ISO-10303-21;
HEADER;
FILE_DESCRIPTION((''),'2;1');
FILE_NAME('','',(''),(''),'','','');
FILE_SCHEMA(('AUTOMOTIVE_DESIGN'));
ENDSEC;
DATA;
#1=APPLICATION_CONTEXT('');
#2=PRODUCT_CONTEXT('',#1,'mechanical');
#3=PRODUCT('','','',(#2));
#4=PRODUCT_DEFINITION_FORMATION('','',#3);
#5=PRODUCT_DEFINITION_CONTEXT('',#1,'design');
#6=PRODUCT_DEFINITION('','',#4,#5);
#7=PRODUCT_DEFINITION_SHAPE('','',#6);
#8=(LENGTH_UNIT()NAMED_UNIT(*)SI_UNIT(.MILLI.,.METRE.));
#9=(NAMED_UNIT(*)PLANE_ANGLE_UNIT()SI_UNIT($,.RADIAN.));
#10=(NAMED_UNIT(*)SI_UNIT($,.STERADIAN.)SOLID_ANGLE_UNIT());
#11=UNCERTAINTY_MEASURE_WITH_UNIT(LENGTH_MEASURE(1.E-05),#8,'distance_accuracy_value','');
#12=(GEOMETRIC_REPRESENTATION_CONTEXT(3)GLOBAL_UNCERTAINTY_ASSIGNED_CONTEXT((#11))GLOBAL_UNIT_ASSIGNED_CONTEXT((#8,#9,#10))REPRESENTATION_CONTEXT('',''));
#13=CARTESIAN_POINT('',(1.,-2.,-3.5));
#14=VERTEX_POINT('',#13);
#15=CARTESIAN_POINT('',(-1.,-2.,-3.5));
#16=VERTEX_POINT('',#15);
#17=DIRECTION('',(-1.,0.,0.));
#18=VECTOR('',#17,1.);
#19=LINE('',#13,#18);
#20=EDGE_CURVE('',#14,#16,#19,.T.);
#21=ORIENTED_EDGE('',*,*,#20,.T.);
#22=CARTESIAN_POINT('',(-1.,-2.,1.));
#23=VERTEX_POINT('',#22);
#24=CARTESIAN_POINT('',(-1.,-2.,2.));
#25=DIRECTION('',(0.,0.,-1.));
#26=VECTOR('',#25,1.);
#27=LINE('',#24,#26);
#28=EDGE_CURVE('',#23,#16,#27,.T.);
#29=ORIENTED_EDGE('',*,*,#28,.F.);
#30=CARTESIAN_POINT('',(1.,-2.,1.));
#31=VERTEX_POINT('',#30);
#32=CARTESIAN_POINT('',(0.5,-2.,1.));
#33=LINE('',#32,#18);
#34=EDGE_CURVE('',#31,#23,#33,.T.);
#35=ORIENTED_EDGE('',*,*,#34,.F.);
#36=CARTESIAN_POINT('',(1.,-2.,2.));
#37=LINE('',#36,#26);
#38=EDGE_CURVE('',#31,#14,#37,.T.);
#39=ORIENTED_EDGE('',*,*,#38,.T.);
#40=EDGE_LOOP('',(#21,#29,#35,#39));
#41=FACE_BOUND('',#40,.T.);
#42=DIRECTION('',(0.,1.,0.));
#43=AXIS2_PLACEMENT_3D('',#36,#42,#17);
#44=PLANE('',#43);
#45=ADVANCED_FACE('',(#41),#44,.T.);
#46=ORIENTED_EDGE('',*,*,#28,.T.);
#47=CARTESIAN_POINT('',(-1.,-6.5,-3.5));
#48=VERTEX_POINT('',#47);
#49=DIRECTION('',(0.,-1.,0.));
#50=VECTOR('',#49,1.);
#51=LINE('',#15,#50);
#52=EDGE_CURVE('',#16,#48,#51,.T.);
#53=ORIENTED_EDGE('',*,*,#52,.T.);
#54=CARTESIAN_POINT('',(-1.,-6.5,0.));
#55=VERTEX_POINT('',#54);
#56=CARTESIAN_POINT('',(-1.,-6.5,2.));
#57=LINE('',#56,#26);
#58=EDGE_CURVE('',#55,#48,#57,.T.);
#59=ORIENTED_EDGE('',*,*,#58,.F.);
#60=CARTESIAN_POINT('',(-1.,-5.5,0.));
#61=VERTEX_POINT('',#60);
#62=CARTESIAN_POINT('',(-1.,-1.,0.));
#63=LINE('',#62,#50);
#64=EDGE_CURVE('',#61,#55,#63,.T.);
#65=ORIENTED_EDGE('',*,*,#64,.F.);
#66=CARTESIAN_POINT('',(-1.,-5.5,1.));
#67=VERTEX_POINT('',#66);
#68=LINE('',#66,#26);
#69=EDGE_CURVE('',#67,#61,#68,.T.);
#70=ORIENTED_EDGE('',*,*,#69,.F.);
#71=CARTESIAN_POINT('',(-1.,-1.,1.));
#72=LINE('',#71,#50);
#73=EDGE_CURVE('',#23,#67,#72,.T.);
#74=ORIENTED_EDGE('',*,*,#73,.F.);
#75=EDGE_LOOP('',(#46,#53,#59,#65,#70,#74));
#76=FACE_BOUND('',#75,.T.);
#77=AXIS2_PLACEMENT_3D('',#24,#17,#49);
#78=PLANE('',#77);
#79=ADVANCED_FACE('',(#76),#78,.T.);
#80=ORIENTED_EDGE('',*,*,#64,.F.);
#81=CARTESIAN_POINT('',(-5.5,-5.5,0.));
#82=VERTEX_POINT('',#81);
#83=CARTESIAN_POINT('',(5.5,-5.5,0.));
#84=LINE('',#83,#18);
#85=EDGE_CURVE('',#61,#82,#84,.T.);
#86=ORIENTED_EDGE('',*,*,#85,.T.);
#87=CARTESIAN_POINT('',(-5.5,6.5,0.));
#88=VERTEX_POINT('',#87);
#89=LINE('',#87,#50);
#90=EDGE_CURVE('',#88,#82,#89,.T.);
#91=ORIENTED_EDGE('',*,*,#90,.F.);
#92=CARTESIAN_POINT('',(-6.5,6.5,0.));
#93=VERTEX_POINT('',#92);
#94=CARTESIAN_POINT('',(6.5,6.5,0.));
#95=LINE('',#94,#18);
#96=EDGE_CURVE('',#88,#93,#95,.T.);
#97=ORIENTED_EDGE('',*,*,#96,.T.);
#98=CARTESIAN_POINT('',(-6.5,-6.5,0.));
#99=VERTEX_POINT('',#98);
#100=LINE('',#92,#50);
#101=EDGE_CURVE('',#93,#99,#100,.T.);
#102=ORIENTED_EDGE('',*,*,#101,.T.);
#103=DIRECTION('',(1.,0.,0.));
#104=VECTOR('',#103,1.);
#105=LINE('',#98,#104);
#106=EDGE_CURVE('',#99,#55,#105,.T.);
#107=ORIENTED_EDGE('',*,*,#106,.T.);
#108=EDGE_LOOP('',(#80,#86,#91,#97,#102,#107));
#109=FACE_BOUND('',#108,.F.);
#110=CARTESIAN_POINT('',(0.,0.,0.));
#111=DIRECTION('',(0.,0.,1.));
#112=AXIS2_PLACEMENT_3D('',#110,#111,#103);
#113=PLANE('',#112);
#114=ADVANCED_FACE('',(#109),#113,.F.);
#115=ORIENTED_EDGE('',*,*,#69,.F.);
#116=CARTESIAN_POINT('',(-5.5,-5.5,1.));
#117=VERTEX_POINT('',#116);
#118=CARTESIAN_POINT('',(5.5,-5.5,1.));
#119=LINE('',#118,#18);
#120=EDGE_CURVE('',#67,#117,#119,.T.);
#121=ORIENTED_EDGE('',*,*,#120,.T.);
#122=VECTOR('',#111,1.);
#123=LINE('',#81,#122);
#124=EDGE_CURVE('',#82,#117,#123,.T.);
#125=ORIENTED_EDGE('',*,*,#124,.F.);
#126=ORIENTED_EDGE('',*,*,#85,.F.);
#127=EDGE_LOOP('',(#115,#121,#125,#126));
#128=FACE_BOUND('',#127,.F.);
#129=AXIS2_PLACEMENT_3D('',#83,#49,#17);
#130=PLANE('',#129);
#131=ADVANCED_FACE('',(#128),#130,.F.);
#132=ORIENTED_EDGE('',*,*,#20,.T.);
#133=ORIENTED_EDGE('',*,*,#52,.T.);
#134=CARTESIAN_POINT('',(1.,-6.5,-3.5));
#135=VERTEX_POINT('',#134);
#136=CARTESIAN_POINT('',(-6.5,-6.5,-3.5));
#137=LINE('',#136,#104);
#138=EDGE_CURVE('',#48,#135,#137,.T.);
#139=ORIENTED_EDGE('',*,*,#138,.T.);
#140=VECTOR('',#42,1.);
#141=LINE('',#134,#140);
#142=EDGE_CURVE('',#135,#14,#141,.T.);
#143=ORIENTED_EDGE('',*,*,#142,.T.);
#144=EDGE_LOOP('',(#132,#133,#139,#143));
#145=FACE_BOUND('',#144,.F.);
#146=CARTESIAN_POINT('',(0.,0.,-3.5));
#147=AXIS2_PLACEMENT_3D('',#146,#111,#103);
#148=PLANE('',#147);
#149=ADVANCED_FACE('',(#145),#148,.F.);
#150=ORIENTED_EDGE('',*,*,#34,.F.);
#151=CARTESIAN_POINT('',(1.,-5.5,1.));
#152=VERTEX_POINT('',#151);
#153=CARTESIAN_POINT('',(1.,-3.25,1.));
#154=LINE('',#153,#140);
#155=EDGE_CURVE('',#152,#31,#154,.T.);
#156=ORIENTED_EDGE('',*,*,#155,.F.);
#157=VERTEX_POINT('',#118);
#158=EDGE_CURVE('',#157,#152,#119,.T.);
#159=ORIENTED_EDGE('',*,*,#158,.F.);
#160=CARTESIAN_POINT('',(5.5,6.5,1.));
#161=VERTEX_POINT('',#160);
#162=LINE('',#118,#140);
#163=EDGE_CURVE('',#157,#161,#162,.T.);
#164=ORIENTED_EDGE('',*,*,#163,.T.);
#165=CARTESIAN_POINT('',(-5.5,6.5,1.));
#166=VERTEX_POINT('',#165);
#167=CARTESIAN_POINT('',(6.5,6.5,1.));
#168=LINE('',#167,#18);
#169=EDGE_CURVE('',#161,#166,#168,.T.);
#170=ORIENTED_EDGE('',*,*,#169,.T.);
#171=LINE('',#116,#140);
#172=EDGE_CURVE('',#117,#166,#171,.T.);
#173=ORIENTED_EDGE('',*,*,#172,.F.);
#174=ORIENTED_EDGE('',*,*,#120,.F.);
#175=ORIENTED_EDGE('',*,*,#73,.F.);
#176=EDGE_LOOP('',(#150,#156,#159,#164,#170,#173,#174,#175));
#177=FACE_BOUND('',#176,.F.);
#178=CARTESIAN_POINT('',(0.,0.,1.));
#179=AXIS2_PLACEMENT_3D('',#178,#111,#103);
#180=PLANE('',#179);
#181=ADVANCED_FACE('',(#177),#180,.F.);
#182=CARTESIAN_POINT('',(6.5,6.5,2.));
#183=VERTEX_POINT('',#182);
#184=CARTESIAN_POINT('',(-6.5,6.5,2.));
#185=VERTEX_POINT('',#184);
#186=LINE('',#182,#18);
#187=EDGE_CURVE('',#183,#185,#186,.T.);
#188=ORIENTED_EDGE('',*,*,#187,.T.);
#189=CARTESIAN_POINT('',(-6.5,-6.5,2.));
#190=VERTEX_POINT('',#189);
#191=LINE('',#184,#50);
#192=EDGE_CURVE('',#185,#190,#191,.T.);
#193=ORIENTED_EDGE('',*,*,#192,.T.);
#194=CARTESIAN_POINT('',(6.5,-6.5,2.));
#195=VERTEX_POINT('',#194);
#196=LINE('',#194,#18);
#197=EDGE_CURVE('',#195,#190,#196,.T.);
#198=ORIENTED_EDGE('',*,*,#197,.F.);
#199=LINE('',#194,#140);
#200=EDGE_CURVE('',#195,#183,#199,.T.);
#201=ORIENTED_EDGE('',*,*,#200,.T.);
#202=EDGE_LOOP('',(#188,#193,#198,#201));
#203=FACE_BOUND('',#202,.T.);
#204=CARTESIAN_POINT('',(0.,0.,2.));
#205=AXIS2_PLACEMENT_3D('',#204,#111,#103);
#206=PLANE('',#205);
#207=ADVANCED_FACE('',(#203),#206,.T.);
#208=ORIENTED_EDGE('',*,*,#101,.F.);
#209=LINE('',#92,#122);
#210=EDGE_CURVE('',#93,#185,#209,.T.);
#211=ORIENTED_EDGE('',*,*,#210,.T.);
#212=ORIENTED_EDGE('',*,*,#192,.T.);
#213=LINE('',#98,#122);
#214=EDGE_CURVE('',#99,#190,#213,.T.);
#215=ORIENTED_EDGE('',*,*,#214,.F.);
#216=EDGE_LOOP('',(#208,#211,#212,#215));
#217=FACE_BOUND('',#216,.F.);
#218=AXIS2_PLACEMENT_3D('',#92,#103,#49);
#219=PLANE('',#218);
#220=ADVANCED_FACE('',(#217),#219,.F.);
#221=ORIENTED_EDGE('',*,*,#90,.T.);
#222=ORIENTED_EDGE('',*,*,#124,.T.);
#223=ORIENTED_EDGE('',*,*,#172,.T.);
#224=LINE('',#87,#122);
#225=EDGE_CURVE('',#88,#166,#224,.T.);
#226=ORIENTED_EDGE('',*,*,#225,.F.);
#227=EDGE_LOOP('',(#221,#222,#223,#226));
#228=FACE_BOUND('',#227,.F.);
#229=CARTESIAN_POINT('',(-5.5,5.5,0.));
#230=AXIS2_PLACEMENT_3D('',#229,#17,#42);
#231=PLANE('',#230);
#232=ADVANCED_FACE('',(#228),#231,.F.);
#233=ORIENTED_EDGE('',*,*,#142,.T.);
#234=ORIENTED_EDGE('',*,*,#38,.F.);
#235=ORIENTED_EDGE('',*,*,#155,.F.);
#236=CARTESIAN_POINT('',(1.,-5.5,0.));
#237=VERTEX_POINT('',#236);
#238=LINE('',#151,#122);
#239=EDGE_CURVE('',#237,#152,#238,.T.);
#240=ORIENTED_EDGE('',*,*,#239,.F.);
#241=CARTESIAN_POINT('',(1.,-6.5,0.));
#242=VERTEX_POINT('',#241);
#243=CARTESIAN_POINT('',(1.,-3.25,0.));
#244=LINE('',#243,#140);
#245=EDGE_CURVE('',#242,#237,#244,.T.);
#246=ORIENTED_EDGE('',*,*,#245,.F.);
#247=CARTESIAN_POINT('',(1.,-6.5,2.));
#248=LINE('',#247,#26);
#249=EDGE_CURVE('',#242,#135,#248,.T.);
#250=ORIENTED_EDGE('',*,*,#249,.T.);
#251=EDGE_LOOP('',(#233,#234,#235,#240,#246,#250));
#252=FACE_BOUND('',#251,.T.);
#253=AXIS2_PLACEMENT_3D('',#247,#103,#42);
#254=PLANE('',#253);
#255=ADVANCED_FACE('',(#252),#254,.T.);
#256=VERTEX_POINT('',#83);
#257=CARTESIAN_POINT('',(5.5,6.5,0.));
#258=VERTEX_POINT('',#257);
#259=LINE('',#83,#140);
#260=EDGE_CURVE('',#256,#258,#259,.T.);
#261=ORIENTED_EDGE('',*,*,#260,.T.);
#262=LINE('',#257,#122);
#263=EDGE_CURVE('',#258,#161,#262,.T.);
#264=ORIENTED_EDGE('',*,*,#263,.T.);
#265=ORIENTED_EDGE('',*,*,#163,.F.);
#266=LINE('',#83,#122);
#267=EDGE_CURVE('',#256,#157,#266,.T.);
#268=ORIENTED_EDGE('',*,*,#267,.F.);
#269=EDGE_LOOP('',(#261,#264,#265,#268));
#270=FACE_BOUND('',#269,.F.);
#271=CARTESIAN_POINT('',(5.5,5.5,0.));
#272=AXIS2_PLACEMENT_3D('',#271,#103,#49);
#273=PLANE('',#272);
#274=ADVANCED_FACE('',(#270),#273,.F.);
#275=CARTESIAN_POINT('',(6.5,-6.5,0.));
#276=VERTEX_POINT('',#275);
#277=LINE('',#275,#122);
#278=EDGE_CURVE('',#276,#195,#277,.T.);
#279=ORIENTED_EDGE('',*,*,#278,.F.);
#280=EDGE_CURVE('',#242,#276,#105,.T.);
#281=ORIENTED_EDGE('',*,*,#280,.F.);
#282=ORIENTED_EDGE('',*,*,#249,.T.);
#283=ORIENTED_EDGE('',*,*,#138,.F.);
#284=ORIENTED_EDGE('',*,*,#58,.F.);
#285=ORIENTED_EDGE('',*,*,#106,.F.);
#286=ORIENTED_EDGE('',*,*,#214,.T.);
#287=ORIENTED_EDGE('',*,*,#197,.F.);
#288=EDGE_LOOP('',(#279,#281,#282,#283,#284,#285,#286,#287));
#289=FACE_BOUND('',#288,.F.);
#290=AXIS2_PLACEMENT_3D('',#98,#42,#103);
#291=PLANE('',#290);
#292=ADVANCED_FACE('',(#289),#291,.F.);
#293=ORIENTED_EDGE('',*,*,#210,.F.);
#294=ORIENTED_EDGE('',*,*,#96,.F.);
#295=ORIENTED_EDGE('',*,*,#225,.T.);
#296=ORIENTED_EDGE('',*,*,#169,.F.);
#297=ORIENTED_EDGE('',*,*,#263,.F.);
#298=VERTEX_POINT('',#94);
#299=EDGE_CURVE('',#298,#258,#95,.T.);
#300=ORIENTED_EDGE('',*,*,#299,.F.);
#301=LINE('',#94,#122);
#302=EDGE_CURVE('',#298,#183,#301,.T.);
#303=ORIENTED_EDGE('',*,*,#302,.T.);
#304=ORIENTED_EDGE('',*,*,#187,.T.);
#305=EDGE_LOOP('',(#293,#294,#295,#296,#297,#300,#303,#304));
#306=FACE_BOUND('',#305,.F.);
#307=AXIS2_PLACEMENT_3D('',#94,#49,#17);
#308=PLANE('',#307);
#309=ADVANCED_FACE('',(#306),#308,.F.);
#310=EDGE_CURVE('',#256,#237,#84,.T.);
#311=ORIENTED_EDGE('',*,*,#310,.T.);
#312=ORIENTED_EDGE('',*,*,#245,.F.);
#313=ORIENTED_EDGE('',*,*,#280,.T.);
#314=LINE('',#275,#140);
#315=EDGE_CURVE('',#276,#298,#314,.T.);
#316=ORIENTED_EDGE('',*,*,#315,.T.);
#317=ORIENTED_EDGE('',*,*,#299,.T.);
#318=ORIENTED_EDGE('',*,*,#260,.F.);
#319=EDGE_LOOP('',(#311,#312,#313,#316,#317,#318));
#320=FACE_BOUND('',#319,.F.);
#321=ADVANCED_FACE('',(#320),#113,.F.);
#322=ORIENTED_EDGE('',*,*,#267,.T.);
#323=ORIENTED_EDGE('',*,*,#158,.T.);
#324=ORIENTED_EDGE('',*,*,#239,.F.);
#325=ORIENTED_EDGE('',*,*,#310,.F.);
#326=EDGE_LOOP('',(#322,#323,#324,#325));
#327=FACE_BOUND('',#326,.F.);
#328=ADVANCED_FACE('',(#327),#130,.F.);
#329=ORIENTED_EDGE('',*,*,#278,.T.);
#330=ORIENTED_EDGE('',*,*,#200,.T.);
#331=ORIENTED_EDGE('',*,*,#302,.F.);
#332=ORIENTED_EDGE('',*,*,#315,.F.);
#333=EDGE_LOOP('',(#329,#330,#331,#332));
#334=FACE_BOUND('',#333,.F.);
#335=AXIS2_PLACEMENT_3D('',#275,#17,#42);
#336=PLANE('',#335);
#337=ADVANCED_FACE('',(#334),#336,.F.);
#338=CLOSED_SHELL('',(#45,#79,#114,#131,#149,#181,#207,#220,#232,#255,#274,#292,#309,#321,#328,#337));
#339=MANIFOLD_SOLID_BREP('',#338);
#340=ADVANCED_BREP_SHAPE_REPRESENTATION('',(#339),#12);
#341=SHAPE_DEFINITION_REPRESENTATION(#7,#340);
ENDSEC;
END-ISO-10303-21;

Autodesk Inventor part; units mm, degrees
ref_plane "YZ Plane" through (0, 0, 0) normal (1, 0, 0) x (0, 1, 0)
ref_plane "XZ Plane" through (0, 0, 0) normal (0, 1, 0) x (-1, 0, 0)
ref_plane "XY Plane" through (0, 0, 0) normal (0, 0, 1) x (1, 0, 0)
sketch "Sketch1" plane through (0, 0, 0) normal (0, 0, 1) x (1, 0, 0)
  line L0 (-6.5, -6.5) -> (6.5, -6.5)
  line L1 (6.5, -6.5) -> (6.5, 6.5)
  line L2 (6.5, 6.5) -> (-6.5, 6.5)
  line L3 (-6.5, 6.5) -> (-6.5, -6.5)
  line L4 (-6.5, -6.5) -> (6.5, 6.5) construction
  line L5 (6.5, -6.5) -> (-6.5, 6.5) construction
  line L6 (-5.5, 5.5) -> (5.5, 5.5)
  line L7 (5.5, 5.5) -> (5.5, -5.5)
  line L8 (5.5, -5.5) -> (-5.5, -5.5)
  line L9 (-5.5, -5.5) -> (-5.5, 5.5)
  point P0 (0, 0)
  dimension "d0" = 13
  dimension "d1" = 13
  dimension "d2" = 1
extrude "Extrusion1" add sketch "Sketch1" along normal blind 2 contours L3 L2 L1 L0 | L6 L7 L8 L9
extrude "Extrusion2" cut sketch "Sketch1" along normal blind 1 contours L6 L7 L8 L9
sketch "Sketch2" plane through (0, 0, 2) normal (0, 0, 1) x (1, 0, 0)
  line L0 (-6.5, -6.5) -> (6.5, -6.5) projected
  line L1 (-1, -6.5) -> (1, -6.5)
  line L2 (1, -6.5) -> (1, -2)
  line L3 (1, -2) -> (-1, -2)
  line L4 (-1, -2) -> (-1, -6.5)
  point P0 (0, 0)
  point P1 (0, -6.5)
  dimension "d7" = 2
  dimension "d8" = 4.5
  dimension "d9" = 1
extrude "Extrusion3" add sketch "Sketch2" against normal blind 5.5
sketch "Sketch3" plane through (0, 0, 0) normal (0, 0, -1) x (-1, 0, 0)
  line L0 (-5.5, 5.5) -> (5.5, 5.5) projected
  line L1 (-6.5, 6.5) -> (6.5, 6.5) projected
  line L2 (-5.5, 5.5) -> (5.5, 5.5)
  line L3 (5.5, 5.5) -> (5.5, 6.5)
  line L4 (5.5, 6.5) -> (-5.5, 6.5)
  line L5 (-5.5, 6.5) -> (-5.5, 5.5)
  point P0 (0, 0)
  dimension "d12" = 11
extrude "Extrusion4" cut sketch "Sketch3" against normal blind 1
properties part number "NV_module_lid_2" material "PET Plastic"
